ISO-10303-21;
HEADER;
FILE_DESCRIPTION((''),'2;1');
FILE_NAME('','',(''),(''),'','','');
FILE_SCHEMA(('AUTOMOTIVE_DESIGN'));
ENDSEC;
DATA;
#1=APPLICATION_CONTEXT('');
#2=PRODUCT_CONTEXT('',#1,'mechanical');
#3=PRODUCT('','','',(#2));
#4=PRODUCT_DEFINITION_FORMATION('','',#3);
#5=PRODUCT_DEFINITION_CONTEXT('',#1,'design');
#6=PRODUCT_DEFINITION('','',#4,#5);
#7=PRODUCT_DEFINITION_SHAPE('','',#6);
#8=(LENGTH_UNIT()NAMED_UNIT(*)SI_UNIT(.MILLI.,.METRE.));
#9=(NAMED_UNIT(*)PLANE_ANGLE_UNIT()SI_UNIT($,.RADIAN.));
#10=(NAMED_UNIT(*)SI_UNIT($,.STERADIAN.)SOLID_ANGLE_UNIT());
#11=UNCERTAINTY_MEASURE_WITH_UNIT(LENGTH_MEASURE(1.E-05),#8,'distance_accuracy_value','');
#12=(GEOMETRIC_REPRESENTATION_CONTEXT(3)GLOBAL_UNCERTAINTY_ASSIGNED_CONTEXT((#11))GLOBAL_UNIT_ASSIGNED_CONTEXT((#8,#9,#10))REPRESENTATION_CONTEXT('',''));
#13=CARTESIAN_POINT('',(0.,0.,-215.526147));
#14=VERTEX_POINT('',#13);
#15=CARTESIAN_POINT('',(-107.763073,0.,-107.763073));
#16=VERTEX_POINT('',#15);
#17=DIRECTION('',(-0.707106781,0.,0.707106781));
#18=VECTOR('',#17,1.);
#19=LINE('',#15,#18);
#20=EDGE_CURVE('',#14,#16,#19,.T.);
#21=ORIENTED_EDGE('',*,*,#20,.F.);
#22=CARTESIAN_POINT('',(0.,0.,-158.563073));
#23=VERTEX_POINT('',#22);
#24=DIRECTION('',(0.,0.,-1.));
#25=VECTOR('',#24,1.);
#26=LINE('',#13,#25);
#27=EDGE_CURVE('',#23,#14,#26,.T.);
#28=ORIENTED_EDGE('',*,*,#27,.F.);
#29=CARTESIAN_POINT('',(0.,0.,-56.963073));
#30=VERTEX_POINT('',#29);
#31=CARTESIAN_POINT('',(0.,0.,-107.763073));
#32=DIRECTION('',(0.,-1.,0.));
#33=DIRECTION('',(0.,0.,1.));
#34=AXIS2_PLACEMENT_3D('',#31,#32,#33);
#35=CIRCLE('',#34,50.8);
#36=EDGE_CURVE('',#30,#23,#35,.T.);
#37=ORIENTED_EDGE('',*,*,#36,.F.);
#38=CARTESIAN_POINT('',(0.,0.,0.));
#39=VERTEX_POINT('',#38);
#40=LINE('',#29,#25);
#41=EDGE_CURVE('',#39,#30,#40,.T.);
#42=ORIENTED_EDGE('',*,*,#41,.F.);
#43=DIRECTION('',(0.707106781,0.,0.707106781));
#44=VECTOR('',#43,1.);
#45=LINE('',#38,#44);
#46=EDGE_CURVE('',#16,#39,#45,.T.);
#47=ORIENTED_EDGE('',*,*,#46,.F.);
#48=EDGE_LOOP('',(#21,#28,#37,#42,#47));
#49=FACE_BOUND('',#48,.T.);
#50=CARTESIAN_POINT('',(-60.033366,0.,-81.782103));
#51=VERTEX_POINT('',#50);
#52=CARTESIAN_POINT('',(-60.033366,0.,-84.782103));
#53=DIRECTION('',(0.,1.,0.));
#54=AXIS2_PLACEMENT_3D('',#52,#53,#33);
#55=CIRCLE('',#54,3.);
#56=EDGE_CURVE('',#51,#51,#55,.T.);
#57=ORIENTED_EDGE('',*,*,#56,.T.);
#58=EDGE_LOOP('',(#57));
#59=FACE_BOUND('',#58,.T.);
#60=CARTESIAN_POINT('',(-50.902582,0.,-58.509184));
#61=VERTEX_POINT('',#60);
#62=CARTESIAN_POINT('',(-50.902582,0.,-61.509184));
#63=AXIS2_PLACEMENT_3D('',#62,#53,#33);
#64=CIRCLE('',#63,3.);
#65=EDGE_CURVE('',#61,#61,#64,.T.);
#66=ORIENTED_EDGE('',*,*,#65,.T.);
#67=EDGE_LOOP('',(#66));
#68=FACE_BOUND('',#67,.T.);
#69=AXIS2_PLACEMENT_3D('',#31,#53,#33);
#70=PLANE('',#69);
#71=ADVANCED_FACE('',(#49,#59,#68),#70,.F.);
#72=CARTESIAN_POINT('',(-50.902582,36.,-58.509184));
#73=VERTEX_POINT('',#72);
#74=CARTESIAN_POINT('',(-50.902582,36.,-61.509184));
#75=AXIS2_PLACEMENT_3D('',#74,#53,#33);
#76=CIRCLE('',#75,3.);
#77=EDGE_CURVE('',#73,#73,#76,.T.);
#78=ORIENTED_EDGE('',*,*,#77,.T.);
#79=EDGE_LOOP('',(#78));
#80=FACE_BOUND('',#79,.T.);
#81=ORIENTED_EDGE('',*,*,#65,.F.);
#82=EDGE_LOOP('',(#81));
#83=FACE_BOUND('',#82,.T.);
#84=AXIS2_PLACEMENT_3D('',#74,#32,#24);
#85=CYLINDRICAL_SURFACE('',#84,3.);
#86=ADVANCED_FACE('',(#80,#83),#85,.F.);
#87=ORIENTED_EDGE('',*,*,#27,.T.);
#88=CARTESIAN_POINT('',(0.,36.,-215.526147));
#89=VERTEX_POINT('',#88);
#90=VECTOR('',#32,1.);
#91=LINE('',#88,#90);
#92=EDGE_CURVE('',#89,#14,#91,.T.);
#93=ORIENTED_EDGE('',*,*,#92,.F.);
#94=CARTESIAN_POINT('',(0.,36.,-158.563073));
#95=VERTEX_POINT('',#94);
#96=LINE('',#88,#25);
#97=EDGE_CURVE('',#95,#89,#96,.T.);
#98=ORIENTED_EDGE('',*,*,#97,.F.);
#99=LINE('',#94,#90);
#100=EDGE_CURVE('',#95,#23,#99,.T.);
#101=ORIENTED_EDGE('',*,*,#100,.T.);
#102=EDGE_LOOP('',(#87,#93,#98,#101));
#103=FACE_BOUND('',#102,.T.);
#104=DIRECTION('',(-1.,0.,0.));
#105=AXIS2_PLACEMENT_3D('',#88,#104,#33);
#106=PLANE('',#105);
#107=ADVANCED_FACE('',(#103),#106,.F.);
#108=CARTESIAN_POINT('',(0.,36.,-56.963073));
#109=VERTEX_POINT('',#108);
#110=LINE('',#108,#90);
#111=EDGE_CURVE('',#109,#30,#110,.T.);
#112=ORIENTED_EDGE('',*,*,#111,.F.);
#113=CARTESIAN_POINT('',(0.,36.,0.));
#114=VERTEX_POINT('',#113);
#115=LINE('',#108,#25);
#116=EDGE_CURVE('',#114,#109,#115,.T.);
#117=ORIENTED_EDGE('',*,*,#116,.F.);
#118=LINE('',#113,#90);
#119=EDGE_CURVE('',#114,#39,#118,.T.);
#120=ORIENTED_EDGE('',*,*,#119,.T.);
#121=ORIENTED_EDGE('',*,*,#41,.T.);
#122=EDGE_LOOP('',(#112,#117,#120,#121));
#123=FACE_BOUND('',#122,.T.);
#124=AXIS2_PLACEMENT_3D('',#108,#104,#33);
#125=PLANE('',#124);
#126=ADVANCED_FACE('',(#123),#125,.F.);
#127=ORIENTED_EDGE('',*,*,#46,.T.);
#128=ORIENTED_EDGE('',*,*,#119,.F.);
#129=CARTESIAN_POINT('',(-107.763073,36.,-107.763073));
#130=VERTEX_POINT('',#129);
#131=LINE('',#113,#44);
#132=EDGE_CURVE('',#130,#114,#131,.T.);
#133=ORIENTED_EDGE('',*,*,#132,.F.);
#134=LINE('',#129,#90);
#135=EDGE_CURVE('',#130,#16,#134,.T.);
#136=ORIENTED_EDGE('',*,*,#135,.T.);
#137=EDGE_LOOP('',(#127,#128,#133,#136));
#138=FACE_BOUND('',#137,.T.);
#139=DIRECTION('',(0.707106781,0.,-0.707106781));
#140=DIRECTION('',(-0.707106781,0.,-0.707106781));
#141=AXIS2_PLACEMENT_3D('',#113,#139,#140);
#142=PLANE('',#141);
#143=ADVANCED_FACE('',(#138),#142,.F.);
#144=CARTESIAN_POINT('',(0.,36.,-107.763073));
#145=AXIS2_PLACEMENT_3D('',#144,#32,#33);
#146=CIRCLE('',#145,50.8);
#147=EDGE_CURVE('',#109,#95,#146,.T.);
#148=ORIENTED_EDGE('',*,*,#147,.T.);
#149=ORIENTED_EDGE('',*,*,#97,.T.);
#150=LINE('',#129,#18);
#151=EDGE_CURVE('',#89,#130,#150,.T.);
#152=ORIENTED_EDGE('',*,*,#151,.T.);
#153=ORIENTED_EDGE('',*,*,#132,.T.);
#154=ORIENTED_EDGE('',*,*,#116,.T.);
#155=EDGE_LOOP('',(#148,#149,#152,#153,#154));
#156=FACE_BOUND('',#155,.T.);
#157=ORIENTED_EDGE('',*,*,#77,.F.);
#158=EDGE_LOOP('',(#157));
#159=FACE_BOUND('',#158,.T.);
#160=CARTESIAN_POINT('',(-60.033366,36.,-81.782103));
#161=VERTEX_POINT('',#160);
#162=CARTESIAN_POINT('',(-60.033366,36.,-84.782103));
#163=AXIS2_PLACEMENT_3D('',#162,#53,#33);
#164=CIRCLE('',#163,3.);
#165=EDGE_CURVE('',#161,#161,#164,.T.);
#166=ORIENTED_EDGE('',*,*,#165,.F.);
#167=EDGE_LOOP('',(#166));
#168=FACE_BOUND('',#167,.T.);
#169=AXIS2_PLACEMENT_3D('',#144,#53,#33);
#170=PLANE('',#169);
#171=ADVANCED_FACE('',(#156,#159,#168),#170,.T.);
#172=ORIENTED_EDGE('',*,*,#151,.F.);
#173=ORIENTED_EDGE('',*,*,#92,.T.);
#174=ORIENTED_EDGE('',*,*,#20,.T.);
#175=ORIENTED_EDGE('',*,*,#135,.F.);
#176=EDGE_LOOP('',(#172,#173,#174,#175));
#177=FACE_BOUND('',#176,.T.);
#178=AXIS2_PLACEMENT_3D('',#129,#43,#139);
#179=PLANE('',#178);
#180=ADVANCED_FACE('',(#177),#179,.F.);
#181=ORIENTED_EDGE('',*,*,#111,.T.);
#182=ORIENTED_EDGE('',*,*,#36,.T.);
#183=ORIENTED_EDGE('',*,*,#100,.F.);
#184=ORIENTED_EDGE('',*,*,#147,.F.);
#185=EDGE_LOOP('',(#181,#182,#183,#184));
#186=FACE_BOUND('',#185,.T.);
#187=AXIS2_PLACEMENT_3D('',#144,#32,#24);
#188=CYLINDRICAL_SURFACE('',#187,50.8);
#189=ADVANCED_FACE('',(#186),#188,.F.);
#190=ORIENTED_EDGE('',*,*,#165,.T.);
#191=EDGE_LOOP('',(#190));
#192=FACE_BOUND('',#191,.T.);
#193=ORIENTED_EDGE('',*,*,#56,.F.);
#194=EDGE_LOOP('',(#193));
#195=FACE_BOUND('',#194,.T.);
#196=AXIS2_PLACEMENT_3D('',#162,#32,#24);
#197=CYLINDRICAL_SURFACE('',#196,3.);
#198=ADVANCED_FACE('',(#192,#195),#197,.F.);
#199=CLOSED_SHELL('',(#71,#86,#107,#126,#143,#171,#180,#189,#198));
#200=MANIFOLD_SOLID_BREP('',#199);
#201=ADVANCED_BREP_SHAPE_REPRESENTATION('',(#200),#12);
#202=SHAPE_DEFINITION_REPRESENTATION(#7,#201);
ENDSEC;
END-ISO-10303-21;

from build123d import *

# Parameters (mm, degrees)
SKETCH1_R           = 3
BOSS_EXTRUDE1_DEPTH = 36


with BuildPart() as part:
    # Sketch1 → Boss-Extrude1 (new body)
    with BuildSketch(Plane(origin=(0, 0, 0), x_dir=(1, 0, 0), z_dir=(0, 1, 0))):
        with BuildLine():
            Line((0, 0), (-107.763073453, 107.763073453))
            Line((-107.763073453, 107.763073453), (0, 215.526146906))
            Line((0, 215.526146906), (0, 158.563073453))
            ThreePointArc((0, 158.563073453), (-50.8, 107.763073453), (0, 56.963073453))
            Line((0, 56.963073453), (0, 0))
        make_face()
        with Locations(Location((-60.033365723, 84.782103064, 0), (0, 0, 270))):
            Circle(SKETCH1_R, mode=Mode.SUBTRACT)
        with Locations(Location((-50.902581789, 61.509183506, 0), (0, 0, 270))):
            Circle(SKETCH1_R, mode=Mode.SUBTRACT)
    extrude(amount=BOSS_EXTRUDE1_DEPTH)


solid = part.part
